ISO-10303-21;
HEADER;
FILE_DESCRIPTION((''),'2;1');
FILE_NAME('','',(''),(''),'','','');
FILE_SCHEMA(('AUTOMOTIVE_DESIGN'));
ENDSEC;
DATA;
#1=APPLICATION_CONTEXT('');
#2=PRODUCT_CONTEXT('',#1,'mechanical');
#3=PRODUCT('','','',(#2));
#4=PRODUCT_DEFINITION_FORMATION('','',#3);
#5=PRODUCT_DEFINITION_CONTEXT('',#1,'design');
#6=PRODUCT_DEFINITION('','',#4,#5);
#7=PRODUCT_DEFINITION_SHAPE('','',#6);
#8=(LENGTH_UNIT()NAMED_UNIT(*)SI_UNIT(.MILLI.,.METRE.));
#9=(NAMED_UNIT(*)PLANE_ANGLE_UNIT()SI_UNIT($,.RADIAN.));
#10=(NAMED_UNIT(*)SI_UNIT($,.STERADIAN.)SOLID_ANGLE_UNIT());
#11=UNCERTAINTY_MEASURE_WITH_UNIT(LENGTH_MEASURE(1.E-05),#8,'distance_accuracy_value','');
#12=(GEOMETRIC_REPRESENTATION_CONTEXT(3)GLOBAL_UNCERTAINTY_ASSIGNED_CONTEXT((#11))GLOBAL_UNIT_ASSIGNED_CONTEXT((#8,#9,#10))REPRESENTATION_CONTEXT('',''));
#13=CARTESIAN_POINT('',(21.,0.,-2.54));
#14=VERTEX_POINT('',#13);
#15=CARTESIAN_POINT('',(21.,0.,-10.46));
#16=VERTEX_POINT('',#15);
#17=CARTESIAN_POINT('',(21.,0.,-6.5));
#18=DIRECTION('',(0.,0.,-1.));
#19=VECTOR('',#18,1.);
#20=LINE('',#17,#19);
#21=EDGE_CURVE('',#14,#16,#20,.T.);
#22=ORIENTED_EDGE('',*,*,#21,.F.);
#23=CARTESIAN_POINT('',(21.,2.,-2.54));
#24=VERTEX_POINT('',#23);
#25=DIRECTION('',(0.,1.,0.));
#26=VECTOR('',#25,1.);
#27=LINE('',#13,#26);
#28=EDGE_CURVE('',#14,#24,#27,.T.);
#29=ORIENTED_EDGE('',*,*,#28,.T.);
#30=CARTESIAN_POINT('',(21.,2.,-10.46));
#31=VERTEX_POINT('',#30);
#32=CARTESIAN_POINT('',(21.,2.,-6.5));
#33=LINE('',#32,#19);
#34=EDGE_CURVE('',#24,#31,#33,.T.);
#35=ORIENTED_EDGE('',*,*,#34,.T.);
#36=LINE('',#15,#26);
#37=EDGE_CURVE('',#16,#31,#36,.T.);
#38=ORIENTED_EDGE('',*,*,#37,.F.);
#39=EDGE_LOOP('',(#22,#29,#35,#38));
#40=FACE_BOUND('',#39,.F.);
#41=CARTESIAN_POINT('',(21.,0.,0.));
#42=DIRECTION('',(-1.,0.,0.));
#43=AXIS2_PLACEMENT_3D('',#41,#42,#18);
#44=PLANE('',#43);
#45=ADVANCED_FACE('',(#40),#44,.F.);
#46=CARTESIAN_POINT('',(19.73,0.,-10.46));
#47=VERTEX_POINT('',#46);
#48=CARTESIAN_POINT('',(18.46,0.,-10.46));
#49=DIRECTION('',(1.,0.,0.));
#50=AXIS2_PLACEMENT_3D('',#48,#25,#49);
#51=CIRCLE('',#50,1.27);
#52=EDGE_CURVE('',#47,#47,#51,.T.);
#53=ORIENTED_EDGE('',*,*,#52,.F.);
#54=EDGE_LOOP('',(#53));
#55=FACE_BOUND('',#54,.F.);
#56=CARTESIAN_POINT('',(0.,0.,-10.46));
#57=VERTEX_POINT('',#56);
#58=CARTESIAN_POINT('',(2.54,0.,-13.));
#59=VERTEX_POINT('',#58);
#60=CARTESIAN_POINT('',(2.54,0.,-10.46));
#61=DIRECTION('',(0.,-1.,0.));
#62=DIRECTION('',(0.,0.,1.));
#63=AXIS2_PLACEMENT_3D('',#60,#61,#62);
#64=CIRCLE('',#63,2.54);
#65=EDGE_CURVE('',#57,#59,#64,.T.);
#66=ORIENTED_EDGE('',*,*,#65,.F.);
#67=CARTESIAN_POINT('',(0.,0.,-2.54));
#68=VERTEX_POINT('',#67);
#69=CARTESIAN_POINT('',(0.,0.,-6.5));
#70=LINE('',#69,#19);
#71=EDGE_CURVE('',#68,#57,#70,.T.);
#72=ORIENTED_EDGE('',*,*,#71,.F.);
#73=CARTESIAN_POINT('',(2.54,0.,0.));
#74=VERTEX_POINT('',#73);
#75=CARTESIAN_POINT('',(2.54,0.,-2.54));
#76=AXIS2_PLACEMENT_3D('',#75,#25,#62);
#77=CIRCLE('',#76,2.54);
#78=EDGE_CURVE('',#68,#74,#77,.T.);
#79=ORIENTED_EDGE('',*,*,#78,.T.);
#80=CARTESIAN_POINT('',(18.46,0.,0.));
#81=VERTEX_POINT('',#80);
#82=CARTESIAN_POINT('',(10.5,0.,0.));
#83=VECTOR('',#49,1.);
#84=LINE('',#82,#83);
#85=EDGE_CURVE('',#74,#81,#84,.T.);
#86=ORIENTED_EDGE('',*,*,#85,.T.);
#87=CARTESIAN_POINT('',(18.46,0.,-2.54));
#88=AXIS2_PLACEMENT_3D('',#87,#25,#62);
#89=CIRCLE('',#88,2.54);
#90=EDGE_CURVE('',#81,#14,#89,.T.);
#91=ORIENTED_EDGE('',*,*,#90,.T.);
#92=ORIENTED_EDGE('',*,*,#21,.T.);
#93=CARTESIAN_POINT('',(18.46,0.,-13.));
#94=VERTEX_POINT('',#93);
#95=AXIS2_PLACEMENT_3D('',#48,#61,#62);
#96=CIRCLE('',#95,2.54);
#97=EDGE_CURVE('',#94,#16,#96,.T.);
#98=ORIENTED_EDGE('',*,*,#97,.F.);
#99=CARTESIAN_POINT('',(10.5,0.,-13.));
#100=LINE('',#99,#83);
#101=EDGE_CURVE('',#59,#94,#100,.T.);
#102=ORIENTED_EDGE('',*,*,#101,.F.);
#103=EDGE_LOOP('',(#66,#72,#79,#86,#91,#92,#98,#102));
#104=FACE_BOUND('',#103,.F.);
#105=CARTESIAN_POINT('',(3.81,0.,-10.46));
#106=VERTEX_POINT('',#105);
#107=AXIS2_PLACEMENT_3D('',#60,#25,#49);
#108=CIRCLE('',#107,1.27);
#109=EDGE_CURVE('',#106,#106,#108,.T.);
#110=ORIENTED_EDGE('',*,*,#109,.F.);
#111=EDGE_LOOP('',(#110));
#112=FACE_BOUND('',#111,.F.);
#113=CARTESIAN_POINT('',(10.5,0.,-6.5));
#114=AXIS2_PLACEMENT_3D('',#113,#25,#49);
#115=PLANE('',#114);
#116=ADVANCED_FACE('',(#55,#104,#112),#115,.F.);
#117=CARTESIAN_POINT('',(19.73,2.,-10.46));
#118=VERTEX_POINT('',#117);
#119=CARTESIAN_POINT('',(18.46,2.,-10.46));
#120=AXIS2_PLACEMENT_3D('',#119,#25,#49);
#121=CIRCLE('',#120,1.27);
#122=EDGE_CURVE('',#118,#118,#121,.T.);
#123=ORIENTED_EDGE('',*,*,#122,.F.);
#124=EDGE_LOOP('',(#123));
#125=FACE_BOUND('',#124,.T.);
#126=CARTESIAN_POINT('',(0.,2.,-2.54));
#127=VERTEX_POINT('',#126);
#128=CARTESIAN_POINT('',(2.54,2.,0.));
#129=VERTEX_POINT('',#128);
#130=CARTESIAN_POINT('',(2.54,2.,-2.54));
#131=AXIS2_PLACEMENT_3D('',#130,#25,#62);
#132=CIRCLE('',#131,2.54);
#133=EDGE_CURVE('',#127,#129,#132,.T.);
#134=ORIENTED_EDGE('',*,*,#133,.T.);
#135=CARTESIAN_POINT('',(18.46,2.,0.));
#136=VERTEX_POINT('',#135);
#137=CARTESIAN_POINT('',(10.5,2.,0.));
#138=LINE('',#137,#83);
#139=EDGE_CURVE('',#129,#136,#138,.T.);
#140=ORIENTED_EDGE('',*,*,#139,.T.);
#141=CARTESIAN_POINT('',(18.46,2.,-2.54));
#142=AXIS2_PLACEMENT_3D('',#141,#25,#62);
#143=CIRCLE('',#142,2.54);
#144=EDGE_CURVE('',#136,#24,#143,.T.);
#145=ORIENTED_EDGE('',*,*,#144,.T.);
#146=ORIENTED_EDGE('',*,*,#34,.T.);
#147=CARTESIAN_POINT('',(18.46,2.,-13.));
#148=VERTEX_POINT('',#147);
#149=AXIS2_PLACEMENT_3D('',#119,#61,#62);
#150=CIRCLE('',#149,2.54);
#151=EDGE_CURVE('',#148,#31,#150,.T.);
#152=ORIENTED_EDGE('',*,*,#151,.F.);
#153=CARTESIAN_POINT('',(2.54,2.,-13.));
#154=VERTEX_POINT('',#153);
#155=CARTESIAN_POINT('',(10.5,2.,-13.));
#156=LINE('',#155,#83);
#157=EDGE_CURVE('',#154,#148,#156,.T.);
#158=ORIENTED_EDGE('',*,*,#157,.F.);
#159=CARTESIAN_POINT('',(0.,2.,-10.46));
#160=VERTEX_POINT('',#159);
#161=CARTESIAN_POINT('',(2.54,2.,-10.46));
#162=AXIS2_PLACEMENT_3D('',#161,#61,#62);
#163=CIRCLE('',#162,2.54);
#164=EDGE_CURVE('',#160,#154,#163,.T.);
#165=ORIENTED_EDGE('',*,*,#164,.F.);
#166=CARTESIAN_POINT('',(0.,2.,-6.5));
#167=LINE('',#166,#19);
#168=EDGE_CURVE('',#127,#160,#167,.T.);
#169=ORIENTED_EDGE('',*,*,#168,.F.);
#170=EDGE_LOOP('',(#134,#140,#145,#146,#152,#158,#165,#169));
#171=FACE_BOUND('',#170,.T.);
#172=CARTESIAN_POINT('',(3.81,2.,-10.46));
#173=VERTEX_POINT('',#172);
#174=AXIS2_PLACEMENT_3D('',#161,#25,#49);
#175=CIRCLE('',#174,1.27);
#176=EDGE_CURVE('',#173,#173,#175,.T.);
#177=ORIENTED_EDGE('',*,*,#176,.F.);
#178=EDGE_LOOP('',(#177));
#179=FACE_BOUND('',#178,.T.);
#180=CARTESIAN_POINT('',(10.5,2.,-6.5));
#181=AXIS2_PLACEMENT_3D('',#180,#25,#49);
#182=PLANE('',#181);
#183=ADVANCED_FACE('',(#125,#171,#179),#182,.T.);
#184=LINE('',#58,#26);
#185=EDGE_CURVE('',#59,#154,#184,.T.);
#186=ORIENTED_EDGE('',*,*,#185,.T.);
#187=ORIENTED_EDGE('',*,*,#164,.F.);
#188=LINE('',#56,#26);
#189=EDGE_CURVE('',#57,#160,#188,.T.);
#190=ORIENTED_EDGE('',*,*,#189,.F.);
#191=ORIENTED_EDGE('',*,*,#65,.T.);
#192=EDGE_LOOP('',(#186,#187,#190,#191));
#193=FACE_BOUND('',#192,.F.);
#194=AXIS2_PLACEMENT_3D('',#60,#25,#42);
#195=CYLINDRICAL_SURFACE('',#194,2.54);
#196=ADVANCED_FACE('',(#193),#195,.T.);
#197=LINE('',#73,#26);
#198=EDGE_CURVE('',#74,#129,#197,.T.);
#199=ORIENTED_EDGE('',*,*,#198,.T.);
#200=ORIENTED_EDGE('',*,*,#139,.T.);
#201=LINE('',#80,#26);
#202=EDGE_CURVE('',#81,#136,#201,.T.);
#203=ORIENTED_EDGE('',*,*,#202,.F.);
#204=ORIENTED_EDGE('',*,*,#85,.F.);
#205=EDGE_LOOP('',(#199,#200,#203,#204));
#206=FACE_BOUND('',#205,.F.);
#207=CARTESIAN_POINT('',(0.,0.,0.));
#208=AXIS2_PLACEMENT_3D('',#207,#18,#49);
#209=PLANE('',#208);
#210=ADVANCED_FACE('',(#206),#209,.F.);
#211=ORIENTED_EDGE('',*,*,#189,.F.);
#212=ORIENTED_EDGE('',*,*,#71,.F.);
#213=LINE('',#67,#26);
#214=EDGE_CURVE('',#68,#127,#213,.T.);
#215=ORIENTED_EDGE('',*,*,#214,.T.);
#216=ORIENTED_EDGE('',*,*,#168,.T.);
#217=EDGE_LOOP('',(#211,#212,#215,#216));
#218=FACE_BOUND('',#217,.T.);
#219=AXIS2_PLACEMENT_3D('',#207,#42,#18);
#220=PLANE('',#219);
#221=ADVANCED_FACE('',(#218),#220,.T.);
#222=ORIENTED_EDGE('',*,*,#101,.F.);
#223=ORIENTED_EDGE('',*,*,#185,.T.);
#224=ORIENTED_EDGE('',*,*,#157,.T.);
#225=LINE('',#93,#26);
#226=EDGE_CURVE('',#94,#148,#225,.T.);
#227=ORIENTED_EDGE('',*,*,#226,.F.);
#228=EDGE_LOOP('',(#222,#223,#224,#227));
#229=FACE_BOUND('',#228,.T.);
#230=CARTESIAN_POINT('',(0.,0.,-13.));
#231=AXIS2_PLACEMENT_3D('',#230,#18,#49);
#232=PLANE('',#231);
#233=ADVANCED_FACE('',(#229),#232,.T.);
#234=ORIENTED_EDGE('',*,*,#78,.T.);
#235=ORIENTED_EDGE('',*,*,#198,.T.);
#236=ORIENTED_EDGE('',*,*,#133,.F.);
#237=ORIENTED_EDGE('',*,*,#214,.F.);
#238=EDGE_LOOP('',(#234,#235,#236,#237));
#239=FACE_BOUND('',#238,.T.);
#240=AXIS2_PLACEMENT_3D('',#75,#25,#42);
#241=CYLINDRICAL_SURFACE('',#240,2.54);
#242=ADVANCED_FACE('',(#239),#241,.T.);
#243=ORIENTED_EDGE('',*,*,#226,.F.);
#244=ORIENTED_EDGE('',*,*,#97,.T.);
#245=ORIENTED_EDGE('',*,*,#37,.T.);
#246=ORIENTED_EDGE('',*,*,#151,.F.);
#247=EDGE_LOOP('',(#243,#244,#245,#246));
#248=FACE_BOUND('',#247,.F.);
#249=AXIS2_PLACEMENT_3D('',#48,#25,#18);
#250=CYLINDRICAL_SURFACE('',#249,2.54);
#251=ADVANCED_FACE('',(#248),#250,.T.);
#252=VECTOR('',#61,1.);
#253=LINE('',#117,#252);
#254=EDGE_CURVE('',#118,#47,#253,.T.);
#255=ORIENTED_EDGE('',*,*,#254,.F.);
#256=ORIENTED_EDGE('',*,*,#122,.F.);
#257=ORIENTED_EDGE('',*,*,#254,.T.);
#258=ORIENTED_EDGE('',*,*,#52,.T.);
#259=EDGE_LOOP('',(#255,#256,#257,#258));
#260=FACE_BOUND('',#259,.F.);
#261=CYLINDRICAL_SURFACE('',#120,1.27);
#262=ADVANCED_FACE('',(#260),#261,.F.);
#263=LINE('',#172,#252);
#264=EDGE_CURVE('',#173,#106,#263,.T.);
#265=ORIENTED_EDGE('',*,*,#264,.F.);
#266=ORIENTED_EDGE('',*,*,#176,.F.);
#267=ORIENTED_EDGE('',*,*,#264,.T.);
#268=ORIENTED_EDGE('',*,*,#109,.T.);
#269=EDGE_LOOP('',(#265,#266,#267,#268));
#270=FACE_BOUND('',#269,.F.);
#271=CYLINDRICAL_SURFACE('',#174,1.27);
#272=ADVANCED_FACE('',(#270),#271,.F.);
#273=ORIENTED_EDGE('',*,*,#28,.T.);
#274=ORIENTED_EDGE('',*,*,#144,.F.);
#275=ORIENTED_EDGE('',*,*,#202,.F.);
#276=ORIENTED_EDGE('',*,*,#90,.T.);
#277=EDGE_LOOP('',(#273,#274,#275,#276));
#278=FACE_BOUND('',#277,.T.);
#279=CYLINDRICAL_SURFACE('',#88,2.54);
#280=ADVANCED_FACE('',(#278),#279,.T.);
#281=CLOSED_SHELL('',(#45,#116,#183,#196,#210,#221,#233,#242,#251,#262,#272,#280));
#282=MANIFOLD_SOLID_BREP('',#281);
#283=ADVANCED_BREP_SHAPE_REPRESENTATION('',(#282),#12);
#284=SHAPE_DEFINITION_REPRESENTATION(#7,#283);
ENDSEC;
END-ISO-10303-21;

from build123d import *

# Parameters (mm, degrees)
SKETCH1_W           = 21
SKETCH1_H           = 13
BOSS_EXTRUDE1_DEPTH = 2
SKETCH2_R           = 1.27
CUT_EXTRUDE1_DEPTH  = 3
FILLET1_R           = 2.54


with BuildPart() as part:
    # Sketch1 → Boss-Extrude1 (new body)
    with BuildSketch(Plane(origin=(0, 0, 0), x_dir=(1, 0, 0), z_dir=(0, 1, 0))):
        with Locations((10.5, 6.5)):
            Rectangle(SKETCH1_W, SKETCH1_H)
    extrude(amount=BOSS_EXTRUDE1_DEPTH)

    # Sketch2 → Cut-Extrude1 (cut, through all)
    with BuildSketch(Plane(origin=(0, 2, 0), x_dir=(1, 0, 0), z_dir=(0, 1, 0))):
        with Locations((2.54, 10.46)):
            Circle(SKETCH2_R)
        with Locations((18.46, 10.46)):
            Circle(SKETCH2_R)
    extrude(amount=-CUT_EXTRUDE1_DEPTH, mode=Mode.SUBTRACT)

    # Fillet1
    fillet1_edges = [part.edges().sort_by_distance(p)[0] for p in [
        (0, 1, -13),
        (21, 1, -13),
        (21, 1, 0),
        (0, 1, 0),
    ]]
    fillet(fillet1_edges, radius=FILLET1_R)


solid = part.part
